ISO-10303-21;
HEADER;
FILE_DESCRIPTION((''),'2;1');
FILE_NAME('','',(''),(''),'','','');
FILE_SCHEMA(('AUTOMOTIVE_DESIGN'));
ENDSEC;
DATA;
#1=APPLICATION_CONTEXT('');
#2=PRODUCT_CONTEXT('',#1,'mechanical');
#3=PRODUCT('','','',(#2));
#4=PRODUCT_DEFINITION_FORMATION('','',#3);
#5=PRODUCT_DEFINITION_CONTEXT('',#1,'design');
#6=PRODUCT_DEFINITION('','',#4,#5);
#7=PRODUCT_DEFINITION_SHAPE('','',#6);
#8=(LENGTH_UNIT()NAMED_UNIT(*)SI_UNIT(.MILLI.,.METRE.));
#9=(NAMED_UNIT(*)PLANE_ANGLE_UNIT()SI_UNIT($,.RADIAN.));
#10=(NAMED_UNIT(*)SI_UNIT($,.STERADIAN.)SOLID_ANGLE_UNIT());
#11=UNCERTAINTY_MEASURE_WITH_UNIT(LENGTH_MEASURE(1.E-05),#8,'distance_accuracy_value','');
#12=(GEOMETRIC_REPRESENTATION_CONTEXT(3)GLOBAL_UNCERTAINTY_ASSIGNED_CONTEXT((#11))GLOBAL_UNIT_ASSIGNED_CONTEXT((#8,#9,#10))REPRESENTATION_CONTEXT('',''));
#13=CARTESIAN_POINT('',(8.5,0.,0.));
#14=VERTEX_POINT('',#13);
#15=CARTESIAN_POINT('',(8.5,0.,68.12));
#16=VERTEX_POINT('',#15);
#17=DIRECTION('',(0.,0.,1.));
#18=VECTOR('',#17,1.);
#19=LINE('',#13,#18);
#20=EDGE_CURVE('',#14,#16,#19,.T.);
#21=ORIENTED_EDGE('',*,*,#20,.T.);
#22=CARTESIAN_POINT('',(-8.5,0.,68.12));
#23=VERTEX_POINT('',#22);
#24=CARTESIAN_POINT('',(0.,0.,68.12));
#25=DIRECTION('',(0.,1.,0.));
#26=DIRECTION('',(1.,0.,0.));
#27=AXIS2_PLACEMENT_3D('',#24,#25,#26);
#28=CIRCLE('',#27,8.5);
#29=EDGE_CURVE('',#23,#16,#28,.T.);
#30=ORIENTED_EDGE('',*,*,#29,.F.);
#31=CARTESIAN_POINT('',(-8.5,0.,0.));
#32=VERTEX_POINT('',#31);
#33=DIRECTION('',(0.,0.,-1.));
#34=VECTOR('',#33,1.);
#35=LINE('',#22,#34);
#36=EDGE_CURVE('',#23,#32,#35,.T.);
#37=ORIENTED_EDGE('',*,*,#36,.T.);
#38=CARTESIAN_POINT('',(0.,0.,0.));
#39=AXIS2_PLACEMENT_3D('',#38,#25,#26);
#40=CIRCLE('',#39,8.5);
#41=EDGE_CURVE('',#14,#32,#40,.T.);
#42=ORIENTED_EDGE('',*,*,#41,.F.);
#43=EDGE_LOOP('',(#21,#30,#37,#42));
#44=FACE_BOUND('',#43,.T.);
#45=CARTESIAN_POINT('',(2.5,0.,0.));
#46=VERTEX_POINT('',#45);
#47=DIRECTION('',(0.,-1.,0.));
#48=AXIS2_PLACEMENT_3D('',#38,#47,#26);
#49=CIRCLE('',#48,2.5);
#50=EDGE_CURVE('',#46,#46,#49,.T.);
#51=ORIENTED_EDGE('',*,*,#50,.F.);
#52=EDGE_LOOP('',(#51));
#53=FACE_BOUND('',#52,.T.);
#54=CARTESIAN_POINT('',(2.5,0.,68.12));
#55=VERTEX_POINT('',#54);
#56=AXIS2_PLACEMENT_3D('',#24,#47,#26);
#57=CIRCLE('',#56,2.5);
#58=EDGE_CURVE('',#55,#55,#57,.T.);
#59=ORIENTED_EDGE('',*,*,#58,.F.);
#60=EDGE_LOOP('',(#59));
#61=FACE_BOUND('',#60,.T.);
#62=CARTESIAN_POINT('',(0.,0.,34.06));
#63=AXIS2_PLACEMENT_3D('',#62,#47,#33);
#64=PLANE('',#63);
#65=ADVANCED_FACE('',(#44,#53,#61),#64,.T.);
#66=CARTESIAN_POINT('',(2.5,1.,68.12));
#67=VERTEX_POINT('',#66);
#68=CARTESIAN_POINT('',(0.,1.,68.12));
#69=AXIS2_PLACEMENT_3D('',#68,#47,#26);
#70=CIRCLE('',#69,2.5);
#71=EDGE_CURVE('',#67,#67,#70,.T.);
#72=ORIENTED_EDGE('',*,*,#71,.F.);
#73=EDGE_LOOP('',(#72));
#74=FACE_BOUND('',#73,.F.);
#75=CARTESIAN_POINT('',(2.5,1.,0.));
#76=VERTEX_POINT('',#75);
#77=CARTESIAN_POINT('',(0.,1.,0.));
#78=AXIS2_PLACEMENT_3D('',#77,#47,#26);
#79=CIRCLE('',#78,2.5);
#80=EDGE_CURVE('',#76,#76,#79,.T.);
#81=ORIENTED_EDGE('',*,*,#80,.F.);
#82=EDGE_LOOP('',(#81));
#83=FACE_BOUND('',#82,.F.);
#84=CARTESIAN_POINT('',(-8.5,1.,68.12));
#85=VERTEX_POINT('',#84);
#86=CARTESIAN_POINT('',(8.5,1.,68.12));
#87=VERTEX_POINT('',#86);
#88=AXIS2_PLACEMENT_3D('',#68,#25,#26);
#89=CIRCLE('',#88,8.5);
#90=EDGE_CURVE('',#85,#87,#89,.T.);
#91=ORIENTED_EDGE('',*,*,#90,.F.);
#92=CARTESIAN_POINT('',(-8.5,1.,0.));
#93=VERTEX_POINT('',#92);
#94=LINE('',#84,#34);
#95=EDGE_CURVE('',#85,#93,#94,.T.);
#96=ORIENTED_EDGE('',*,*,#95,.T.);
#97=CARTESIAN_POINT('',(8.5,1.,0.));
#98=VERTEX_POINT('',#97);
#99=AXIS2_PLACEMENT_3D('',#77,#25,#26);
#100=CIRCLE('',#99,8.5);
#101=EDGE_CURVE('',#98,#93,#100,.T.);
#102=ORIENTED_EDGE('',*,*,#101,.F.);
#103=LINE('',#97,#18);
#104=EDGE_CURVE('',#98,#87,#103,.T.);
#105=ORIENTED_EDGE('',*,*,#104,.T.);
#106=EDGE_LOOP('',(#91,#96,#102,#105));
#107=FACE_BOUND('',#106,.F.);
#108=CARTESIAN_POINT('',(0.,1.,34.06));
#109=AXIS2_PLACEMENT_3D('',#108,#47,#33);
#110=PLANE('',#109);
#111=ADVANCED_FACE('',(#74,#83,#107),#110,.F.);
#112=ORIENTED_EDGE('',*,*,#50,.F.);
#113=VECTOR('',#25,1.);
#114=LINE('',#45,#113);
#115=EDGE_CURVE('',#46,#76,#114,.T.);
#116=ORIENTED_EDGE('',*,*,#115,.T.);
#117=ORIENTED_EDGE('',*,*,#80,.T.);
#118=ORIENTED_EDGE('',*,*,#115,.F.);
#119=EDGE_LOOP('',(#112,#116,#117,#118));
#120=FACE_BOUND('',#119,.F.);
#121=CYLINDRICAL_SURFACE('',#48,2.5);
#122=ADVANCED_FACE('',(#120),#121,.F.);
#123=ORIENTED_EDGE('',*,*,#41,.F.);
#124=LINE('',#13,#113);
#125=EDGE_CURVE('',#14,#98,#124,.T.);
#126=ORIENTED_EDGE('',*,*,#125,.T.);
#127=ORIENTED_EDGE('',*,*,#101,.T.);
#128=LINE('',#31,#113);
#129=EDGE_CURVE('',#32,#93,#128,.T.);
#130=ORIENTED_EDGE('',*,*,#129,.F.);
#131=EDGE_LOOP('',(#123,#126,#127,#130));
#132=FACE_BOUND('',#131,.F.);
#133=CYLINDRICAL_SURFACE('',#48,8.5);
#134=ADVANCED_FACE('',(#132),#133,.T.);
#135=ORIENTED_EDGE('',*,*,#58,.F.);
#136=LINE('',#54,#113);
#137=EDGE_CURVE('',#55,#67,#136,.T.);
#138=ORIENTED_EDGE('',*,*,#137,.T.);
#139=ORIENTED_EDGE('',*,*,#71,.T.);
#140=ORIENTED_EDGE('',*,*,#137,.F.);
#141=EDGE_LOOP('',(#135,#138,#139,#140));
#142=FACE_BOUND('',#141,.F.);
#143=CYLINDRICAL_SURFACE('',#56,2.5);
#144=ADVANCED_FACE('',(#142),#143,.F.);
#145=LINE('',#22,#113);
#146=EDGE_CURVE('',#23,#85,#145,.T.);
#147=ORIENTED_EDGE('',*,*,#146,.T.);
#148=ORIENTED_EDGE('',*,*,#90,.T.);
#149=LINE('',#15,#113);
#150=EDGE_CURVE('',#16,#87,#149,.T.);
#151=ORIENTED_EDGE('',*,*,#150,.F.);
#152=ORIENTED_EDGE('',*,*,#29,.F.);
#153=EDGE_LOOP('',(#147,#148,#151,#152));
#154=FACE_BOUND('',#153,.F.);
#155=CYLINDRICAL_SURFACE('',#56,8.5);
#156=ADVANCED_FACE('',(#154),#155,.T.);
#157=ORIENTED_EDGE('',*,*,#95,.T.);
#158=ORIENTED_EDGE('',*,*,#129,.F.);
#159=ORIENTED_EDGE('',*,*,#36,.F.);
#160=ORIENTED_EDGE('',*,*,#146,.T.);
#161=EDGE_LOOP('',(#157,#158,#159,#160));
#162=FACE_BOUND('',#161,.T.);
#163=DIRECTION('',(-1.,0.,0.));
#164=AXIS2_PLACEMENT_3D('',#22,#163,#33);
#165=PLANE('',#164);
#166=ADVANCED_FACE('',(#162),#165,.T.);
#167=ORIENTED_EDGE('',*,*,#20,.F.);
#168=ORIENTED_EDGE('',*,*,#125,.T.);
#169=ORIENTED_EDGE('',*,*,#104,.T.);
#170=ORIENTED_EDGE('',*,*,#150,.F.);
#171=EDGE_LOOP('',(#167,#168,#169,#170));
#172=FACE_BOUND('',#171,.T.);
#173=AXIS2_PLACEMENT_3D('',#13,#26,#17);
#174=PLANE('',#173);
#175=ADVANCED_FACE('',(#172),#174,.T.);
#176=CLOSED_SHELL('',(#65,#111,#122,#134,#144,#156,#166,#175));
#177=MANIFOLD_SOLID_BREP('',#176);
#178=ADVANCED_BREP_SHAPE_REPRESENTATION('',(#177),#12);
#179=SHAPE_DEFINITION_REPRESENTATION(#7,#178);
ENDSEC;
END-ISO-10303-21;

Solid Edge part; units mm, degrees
sketch "Sketch1" plane through (0, 0, 0) normal (0, -1, 0) x (1, 0, 0)
  line L0 (8.5, 0) -> (8.5, 68.12)
  line L1 (-8.5, 68.12) -> (-8.5, 0)
  arc A0 (-8.5, 68.12) -> (8.5, 68.12) centre (0, 68.12) cw
  arc A1 (8.5, 0) -> (-8.5, 0) centre (0, 0) cw
extrude "Protrusion1" add sketch "Sketch1" against normal blind 1
sketch "Sketch2" plane through (0, 0, 0) normal (0, -1, 0) x (1, 0, 0)
  circle A0 centre (0, 68.12) radius 2.5
extrude "ExtrudedCutout_1" cut sketch "Sketch2" against normal blind 5
sketch "Sketch3" plane through (0, 0, 0) normal (0, -1, 0) x (1, 0, 0)
  circle A0 centre (0, 0) radius 2.5
extrude "ExtrudedCutout_2" cut sketch "Sketch3" against normal blind 5
